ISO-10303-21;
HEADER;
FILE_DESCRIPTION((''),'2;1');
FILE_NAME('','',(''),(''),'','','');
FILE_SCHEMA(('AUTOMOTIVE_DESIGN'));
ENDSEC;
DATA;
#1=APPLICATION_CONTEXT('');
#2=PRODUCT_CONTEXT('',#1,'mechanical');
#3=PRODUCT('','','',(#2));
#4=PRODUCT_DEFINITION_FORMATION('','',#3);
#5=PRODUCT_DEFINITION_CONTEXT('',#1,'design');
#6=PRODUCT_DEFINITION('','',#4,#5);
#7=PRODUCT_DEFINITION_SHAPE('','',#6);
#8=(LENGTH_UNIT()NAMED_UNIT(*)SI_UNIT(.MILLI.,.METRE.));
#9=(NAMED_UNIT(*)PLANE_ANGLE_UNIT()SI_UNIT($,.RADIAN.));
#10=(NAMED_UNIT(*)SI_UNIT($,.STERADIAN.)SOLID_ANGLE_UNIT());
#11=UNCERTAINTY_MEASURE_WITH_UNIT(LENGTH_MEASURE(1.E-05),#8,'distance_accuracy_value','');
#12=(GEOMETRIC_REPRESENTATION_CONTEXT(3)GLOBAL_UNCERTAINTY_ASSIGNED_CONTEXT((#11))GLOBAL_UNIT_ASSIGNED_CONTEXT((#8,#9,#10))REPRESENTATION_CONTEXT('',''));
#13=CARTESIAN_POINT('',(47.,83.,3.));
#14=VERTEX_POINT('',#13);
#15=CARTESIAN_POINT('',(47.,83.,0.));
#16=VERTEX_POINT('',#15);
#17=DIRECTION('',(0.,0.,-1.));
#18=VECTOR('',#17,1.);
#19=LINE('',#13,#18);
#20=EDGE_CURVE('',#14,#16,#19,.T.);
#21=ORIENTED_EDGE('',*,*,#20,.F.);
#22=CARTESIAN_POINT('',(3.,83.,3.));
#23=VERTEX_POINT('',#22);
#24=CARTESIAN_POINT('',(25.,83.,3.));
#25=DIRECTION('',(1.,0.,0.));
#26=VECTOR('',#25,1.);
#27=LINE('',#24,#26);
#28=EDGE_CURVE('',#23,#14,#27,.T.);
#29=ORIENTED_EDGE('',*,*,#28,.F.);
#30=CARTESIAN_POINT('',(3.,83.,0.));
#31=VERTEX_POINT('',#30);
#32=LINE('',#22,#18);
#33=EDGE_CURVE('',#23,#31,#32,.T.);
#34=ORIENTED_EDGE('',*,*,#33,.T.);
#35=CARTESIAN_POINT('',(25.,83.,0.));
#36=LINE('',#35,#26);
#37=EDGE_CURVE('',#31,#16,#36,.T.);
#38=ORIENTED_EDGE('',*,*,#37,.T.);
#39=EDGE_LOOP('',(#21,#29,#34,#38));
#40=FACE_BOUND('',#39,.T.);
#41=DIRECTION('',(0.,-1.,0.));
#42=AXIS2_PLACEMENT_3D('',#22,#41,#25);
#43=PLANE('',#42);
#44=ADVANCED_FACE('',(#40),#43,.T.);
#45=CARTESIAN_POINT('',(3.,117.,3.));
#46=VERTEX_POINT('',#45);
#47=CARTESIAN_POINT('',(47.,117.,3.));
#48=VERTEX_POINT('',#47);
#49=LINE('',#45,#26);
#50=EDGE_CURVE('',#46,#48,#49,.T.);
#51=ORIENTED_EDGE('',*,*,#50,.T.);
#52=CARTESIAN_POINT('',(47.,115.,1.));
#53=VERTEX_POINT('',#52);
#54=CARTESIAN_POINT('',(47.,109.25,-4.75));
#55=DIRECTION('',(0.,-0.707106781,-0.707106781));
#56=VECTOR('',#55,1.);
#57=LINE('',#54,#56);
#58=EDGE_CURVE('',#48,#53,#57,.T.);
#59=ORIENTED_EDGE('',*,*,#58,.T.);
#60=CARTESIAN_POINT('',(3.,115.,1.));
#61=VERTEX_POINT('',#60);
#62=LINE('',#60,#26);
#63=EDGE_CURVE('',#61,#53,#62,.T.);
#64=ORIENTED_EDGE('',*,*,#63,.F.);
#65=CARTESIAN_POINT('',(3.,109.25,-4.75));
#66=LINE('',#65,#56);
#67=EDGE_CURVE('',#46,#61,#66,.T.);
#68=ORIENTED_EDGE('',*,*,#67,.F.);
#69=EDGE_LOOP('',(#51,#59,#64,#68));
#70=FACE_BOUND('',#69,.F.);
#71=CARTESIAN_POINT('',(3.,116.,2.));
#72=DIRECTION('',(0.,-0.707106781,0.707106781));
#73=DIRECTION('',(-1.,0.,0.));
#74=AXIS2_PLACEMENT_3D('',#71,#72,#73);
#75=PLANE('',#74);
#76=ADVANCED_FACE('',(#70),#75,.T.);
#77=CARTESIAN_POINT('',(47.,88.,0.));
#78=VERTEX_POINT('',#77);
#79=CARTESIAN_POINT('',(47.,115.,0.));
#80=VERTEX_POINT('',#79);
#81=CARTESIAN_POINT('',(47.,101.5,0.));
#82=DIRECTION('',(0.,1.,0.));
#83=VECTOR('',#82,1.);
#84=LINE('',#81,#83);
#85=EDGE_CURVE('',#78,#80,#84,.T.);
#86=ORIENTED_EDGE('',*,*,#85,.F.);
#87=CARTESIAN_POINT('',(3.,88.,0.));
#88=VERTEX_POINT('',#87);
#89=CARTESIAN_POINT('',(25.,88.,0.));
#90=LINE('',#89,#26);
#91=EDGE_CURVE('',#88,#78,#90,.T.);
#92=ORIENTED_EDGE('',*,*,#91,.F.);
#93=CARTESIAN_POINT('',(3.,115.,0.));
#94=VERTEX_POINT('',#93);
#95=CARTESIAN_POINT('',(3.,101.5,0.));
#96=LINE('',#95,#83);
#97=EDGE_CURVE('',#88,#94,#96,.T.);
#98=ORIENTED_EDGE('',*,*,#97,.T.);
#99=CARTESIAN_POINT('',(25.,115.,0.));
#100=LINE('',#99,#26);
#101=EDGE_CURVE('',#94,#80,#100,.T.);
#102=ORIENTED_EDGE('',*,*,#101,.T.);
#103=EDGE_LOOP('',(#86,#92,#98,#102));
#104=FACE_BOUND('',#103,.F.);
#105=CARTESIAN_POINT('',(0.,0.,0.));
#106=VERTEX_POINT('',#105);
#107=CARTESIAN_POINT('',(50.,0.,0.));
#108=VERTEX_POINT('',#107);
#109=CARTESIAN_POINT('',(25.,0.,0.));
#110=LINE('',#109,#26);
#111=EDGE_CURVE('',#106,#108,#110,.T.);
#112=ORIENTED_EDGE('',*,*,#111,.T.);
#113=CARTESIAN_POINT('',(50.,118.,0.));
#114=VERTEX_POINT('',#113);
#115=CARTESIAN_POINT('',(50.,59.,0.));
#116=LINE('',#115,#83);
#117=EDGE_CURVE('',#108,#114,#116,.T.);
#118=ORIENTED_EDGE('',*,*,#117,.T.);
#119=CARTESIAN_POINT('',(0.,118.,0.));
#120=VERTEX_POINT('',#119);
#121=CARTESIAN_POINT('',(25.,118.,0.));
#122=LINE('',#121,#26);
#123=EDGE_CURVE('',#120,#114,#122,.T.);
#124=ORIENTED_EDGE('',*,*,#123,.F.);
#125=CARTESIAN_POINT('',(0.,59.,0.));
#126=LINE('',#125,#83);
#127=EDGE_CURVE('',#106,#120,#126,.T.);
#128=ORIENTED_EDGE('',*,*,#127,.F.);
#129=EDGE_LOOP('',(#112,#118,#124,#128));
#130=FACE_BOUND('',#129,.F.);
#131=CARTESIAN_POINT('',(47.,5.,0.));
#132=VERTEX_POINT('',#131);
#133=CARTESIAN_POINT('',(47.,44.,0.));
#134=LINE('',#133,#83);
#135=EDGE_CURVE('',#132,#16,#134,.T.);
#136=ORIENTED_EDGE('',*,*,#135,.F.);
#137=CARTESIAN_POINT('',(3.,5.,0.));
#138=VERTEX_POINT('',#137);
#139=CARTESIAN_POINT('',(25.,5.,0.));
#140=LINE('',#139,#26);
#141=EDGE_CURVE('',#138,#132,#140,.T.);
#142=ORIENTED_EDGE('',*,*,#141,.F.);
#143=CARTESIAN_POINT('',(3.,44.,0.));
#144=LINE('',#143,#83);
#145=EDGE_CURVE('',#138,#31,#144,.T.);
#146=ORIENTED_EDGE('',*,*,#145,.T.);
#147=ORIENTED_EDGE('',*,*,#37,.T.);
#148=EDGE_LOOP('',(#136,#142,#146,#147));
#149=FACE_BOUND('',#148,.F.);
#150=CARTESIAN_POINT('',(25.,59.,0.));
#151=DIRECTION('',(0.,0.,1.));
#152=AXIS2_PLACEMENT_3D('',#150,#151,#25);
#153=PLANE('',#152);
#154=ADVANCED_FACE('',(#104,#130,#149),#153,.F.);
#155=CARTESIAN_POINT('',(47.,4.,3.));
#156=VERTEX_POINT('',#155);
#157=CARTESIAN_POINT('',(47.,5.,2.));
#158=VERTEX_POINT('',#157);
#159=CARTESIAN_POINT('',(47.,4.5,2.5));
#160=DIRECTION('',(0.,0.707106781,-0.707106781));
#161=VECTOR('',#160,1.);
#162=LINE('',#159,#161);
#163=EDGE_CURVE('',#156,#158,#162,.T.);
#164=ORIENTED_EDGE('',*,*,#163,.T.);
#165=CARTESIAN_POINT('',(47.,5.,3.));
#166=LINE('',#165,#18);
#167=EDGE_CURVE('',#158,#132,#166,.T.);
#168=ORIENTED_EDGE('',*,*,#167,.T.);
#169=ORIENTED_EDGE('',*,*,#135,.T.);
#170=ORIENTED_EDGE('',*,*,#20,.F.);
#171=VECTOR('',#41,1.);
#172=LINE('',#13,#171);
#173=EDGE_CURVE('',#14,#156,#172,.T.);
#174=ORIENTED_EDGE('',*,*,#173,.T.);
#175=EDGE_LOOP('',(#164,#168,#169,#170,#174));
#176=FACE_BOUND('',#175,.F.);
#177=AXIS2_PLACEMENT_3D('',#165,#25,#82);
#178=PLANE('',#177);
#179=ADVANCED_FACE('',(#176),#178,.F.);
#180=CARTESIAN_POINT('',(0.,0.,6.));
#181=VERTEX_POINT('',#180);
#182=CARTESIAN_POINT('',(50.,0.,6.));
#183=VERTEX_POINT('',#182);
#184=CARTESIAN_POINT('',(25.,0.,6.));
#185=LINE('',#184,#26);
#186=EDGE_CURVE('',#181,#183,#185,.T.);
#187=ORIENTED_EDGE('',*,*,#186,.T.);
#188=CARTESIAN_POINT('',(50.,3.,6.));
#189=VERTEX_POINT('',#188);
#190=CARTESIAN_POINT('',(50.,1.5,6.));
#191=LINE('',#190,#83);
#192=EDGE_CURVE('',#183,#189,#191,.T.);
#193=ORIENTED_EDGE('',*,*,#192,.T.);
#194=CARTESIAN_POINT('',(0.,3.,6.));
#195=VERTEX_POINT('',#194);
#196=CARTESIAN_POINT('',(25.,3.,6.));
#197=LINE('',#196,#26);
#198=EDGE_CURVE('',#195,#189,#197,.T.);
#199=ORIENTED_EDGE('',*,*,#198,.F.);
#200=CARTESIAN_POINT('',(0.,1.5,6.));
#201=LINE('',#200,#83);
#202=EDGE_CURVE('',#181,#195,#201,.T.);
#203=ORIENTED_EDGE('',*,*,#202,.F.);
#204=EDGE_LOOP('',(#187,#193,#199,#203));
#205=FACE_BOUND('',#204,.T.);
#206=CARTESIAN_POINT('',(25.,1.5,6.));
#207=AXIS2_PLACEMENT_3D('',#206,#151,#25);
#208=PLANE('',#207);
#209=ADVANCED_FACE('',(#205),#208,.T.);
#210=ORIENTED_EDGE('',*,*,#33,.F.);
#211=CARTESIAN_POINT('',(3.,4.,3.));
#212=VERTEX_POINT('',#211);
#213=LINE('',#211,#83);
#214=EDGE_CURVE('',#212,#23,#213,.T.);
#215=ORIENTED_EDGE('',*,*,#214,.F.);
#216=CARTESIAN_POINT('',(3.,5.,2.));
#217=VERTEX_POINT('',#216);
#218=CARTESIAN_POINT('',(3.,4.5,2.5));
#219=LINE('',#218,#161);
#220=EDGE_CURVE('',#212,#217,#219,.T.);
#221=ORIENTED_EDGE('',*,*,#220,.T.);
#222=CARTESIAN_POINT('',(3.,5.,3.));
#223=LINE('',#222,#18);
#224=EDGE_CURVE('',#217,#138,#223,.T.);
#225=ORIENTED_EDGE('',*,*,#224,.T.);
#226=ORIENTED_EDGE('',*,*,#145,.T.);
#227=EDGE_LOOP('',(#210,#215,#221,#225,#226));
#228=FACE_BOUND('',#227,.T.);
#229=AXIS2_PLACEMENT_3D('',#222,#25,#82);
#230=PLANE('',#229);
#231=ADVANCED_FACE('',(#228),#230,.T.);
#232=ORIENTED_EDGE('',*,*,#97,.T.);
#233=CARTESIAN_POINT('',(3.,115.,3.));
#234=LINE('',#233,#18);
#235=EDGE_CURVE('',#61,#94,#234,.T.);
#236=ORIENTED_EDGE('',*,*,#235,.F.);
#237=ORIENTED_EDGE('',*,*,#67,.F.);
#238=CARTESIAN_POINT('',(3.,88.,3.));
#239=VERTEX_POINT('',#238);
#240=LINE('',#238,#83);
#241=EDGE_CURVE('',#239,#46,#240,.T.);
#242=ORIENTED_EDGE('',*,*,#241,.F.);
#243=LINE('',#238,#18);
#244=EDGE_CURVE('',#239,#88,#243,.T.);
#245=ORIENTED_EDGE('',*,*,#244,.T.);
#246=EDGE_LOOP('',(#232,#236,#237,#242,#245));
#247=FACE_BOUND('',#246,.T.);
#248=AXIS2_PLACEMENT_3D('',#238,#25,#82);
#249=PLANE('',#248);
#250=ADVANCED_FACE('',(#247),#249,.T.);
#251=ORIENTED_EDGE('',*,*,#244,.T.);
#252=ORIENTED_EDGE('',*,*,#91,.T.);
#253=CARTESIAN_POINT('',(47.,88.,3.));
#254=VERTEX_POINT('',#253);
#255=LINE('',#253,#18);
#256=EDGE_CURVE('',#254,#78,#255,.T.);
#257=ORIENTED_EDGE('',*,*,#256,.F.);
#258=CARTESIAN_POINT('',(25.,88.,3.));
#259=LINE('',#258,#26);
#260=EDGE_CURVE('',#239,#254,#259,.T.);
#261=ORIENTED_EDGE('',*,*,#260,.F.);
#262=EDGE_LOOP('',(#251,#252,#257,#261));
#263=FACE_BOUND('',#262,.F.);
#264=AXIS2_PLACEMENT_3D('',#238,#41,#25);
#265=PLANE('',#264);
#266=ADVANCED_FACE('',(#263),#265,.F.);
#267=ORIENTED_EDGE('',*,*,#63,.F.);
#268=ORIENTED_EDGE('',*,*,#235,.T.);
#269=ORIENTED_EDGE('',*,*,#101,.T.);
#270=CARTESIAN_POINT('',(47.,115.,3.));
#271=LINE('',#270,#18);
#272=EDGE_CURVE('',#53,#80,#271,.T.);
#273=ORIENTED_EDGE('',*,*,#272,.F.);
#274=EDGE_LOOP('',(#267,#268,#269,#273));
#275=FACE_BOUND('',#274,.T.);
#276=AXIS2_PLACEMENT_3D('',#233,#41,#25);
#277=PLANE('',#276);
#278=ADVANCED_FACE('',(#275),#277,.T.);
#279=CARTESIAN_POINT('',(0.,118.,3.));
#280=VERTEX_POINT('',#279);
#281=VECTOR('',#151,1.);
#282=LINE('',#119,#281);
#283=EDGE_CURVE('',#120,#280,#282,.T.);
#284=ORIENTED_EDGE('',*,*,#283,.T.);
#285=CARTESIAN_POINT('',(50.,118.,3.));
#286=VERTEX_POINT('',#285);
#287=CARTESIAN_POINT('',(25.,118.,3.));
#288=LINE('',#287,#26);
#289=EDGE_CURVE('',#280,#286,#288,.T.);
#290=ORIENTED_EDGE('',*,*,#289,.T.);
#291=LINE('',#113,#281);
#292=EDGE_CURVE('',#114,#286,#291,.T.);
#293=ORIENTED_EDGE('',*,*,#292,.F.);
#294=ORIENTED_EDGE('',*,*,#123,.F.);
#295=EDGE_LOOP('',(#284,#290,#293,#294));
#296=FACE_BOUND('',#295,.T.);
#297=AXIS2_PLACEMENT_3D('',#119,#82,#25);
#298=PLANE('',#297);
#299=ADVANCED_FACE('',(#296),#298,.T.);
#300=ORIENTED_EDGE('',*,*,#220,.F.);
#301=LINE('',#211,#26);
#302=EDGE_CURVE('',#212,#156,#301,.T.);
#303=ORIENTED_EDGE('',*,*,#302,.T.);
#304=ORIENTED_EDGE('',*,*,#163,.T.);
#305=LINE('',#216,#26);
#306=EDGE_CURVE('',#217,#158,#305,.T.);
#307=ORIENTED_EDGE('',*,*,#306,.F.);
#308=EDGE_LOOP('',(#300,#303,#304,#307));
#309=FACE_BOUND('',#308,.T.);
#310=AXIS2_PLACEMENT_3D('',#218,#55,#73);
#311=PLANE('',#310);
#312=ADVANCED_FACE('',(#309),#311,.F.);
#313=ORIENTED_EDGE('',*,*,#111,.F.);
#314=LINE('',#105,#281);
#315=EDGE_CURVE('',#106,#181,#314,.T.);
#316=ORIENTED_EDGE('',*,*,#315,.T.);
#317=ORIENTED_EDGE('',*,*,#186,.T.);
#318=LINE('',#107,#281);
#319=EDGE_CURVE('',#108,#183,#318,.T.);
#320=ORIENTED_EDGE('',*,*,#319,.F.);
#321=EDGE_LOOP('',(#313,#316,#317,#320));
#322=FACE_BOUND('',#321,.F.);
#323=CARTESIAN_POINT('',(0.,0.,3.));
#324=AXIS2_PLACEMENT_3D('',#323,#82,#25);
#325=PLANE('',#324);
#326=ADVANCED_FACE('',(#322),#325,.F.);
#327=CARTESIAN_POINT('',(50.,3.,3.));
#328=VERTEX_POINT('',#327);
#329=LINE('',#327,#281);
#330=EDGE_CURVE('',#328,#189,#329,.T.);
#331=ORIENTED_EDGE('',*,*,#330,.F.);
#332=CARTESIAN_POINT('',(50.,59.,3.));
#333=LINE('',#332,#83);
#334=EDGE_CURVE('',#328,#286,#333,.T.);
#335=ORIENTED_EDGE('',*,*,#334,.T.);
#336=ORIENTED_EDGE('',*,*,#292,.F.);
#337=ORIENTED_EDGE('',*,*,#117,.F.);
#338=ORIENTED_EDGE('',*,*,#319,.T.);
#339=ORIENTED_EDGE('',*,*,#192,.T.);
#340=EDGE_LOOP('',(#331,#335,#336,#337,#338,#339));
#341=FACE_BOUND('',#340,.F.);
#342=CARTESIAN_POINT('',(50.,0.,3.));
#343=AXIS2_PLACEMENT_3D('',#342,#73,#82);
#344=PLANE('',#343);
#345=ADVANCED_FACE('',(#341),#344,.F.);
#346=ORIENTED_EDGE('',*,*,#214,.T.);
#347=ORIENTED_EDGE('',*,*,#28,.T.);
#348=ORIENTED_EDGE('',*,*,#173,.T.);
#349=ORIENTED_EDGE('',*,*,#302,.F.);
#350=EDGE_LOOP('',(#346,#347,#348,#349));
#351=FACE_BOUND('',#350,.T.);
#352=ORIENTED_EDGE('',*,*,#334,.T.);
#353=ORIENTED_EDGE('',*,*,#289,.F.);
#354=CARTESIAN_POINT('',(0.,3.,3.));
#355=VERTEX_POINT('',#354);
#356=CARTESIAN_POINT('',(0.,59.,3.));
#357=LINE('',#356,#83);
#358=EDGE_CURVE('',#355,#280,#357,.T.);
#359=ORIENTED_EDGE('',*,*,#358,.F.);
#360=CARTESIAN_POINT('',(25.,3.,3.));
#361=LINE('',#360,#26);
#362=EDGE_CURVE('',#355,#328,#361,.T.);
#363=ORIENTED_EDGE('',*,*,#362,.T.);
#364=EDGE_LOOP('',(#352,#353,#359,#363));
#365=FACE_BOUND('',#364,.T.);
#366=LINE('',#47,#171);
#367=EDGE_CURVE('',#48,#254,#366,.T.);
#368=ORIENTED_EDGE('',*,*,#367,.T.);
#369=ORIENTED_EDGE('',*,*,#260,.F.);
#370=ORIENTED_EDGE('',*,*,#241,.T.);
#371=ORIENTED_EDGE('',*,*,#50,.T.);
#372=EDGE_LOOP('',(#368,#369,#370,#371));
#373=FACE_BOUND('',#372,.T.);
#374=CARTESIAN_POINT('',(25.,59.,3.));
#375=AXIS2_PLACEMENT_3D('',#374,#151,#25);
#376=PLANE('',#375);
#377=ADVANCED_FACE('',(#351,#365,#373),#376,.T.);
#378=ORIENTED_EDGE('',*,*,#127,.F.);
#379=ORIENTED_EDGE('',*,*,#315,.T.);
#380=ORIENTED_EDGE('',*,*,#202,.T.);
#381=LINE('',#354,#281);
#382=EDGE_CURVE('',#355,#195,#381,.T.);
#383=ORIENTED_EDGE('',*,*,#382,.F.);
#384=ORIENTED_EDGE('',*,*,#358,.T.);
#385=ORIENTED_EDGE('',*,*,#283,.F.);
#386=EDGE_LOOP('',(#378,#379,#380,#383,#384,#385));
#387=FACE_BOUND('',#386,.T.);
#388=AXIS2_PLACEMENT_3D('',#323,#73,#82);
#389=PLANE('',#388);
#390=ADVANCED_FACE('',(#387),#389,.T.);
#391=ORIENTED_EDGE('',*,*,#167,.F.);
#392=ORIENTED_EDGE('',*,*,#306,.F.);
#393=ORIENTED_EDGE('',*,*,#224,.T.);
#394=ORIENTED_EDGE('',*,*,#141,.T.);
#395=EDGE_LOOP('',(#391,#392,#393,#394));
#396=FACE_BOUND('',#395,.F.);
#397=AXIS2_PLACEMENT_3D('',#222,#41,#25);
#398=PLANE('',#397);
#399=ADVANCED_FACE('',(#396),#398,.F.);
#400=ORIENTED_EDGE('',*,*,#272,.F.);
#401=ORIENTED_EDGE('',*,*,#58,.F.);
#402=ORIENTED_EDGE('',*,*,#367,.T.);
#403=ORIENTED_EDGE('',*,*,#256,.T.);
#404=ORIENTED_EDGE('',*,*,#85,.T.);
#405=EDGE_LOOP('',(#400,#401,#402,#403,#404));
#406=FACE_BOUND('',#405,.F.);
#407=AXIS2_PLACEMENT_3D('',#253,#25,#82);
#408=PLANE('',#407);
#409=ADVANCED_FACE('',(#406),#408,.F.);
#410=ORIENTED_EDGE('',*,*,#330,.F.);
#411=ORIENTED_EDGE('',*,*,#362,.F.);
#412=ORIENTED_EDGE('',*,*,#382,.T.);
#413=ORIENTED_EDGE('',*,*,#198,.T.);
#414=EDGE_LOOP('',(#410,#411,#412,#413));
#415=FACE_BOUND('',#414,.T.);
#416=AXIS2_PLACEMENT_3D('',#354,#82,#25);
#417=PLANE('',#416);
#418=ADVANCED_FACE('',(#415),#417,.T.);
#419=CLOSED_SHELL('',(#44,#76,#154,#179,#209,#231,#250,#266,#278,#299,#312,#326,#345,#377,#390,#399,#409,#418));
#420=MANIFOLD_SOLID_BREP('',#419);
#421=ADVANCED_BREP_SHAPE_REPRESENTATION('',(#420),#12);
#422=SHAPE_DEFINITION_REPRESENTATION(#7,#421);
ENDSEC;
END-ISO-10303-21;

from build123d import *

# Parameters (mm, degrees)
SKETCH_W        = 50
SKETCH_H        = 118
PAD_DEPTH       = 3
SKETCH001_W     = 50
SKETCH001_H     = 3
PAD001_DEPTH    = 3
SKETCH002_W     = 44
SKETCH002_H     = 78
SKETCH002_H_2   = 27
POCKET_DEPTH    = 3
CHAMFER_SIZE    = 2
CHAMFER001_SIZE = 1


with BuildPart() as part:
    # Sketch → Pad (new body)
    with BuildSketch(Plane.XY):
        with Locations((25, 59)):
            Rectangle(SKETCH_W, SKETCH_H)
    extrude(amount=PAD_DEPTH)

    # Sketch001 (on Face6 of Pad) → Pad001 (join)
    with BuildSketch(Plane.XY.offset(3)):
        with Locations((25, 1.5)):
            Rectangle(SKETCH001_W, SKETCH001_H)
    extrude(amount=PAD001_DEPTH)

    # Sketch002 (on Face3 of Pad001) → Pocket (cut)
    with BuildSketch(Plane.XY.offset(3)):
        with Locations((25, 44)):
            Rectangle(SKETCH002_W, SKETCH002_H)
        with Locations((25, 101.5)):
            Rectangle(SKETCH002_W, SKETCH002_H_2)
    extrude(amount=-POCKET_DEPTH, mode=Mode.SUBTRACT)

    # Chamfer
    chamfer_edges = [part.edges().sort_by_distance(p)[0] for p in [
        (25, 115, 3),
    ]]
    chamfer(chamfer_edges, length=CHAMFER_SIZE)

    # Chamfer001
    chamfer001_edges = [part.edges().sort_by_distance(p)[0] for p in [
        (25, 5, 3),
    ]]
    chamfer(chamfer001_edges, length=CHAMFER001_SIZE)


solid = part.part
